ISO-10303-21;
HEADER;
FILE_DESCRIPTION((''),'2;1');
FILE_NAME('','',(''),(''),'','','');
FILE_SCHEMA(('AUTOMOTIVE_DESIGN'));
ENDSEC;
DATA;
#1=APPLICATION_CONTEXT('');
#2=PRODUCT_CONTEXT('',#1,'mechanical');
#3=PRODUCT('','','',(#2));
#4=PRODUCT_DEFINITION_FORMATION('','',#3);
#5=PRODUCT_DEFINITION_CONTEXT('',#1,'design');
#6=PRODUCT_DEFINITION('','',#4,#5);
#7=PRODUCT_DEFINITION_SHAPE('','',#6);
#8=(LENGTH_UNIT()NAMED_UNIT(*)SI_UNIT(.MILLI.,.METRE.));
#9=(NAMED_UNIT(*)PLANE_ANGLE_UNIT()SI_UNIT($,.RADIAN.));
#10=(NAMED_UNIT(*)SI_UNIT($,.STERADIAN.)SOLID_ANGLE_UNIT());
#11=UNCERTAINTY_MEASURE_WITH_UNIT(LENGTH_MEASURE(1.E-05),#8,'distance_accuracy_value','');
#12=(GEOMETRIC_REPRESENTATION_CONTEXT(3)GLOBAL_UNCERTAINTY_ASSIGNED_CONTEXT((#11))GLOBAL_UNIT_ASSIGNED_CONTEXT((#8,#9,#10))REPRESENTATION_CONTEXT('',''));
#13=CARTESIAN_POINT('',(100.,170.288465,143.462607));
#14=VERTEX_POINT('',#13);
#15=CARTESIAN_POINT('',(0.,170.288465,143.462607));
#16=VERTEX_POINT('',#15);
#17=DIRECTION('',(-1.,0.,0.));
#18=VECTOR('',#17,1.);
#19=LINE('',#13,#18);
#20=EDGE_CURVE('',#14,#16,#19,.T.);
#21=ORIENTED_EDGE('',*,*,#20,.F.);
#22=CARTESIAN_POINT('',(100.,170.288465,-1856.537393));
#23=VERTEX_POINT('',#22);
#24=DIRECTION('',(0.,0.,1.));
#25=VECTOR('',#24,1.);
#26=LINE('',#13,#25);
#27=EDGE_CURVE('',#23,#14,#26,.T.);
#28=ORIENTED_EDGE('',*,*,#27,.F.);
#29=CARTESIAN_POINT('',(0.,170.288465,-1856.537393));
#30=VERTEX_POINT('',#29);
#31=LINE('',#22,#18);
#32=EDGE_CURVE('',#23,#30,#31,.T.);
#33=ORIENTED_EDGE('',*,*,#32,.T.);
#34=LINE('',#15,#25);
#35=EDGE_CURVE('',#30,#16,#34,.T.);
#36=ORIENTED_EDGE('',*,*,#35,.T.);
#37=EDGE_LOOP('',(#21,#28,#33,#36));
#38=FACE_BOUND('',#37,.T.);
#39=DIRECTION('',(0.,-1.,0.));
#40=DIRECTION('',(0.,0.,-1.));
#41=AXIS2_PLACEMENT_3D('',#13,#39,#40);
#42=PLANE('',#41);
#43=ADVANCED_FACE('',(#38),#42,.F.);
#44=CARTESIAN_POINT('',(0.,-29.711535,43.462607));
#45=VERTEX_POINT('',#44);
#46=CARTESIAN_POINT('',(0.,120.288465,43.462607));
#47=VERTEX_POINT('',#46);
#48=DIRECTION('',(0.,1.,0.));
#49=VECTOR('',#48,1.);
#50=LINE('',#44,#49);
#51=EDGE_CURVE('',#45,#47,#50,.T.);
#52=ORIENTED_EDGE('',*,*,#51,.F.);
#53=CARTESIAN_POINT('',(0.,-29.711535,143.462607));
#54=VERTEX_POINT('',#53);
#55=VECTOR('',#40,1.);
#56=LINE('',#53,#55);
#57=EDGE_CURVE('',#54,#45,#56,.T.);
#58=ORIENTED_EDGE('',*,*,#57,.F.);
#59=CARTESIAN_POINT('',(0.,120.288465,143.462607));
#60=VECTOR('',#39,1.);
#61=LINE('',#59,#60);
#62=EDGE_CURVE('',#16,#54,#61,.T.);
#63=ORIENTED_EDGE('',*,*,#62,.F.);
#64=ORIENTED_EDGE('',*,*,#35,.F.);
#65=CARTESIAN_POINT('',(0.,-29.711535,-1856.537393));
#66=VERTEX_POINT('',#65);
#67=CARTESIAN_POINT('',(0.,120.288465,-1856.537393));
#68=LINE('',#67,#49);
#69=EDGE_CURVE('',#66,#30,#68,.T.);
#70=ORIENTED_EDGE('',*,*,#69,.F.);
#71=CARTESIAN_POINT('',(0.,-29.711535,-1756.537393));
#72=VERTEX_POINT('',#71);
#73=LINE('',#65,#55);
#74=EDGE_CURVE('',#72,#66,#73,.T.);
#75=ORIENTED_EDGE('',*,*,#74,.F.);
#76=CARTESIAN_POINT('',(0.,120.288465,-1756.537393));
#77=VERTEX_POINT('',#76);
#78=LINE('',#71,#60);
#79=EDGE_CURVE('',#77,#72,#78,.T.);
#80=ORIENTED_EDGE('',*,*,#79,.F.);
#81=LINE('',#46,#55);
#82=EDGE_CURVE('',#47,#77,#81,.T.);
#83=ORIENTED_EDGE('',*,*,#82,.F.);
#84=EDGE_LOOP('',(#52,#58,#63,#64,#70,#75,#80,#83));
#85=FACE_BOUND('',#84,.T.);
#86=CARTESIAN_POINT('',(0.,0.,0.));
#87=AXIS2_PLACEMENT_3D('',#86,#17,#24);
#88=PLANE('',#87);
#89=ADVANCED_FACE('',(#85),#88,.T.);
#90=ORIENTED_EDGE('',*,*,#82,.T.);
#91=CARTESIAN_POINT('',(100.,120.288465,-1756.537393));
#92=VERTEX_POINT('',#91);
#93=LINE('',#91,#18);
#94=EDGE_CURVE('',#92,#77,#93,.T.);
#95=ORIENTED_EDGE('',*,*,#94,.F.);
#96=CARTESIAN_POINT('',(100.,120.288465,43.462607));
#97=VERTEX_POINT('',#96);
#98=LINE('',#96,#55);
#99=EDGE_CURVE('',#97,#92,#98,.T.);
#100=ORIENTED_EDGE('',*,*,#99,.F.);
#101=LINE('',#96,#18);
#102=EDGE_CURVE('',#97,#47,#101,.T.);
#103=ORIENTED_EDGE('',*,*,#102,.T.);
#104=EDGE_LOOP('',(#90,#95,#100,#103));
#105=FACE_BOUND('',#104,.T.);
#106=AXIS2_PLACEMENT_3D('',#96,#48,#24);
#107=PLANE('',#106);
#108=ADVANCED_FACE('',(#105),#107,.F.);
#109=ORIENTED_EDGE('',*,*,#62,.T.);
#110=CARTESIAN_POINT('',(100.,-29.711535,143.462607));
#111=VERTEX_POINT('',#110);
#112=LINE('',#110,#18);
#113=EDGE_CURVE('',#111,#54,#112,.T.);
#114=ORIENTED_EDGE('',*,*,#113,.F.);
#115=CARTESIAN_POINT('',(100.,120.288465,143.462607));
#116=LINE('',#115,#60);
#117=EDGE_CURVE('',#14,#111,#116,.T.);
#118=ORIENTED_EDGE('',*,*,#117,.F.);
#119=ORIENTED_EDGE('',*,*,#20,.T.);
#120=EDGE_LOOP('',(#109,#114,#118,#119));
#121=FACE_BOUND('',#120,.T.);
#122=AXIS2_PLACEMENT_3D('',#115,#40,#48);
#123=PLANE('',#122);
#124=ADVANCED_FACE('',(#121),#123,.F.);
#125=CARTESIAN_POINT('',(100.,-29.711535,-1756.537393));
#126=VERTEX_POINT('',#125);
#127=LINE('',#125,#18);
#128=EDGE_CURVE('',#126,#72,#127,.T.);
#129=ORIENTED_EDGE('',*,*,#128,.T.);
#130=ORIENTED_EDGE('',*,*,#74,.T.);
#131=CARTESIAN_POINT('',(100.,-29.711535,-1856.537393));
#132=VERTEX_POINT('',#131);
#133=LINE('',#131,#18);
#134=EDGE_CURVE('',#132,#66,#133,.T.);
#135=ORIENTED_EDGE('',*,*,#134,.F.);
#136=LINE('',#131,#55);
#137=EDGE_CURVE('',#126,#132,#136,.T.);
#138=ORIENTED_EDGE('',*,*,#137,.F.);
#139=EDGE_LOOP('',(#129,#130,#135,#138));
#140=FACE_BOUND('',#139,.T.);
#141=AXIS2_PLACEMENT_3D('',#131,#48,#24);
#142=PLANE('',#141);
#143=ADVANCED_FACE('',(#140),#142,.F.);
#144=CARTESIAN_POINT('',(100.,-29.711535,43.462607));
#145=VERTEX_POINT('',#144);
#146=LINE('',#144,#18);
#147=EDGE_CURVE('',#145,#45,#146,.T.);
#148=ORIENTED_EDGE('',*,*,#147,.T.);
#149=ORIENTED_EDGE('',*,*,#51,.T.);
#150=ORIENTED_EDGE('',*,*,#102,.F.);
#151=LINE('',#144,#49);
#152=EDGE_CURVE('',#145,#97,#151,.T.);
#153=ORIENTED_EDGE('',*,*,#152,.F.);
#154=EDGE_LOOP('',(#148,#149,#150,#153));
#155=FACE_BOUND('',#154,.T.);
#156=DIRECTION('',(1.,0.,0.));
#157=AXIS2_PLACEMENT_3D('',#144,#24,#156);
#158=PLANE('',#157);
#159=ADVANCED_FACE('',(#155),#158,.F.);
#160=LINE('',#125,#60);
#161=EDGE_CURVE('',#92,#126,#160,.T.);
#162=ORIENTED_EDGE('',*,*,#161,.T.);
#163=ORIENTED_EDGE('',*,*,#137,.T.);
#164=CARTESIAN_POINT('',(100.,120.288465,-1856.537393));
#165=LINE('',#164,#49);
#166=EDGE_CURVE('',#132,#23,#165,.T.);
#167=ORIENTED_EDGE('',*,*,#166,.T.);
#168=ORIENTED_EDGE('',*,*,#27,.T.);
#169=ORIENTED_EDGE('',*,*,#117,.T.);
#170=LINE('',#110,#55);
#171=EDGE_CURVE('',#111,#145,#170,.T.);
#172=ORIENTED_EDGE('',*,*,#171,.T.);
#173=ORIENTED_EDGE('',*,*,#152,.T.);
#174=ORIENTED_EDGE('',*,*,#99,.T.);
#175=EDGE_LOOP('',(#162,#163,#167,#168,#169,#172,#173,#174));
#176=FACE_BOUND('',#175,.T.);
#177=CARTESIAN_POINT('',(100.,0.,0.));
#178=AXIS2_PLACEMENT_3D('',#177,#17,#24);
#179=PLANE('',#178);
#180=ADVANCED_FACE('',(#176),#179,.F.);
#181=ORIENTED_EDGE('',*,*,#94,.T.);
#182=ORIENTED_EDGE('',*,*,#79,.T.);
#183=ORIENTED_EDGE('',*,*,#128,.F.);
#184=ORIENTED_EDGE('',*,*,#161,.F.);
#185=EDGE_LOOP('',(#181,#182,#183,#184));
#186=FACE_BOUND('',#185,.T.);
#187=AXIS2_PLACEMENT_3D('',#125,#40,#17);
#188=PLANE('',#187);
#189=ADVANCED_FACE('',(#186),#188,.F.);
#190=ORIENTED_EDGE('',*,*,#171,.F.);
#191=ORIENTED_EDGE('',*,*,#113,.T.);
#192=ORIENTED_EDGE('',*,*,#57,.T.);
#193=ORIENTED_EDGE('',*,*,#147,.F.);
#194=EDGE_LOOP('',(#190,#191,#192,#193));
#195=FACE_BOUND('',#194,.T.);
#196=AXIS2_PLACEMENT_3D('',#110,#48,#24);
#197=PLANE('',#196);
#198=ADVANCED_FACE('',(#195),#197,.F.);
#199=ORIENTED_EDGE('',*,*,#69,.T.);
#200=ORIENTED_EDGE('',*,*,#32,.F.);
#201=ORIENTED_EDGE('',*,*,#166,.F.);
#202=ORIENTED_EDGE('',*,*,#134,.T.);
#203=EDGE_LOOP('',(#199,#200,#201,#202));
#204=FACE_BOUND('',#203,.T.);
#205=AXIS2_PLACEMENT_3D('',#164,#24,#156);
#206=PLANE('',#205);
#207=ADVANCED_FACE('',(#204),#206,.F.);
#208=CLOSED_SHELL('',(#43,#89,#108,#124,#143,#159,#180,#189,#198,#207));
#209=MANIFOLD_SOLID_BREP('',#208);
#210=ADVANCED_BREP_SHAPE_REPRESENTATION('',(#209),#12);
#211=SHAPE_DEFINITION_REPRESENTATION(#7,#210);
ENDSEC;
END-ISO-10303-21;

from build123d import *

# Parameters (mm, degrees)
BOSS_EXTRUDE1_DEPTH = 100


with BuildPart() as part:
    # Sketch2 → Boss-Extrude1 (new body)
    with BuildSketch(Plane(origin=(0, 0, 0), x_dir=(0, 0, -1), z_dir=(1, 0, 0))):
        Polygon((-43.462606731, 120.288465453), (1756.537393269, 120.288465453), (1756.537393269, -29.711534547), (1856.537393269, -29.711534547), (1856.537393269, 120.288465453), (1856.537393269, 170.288465453), (-143.462606731, 170.288465453), (-143.462606731, 120.288465453), (-143.462606731, -29.711534547), (-43.462606731, -29.711534547), align=None)
    extrude(amount=BOSS_EXTRUDE1_DEPTH)


solid = part.part
